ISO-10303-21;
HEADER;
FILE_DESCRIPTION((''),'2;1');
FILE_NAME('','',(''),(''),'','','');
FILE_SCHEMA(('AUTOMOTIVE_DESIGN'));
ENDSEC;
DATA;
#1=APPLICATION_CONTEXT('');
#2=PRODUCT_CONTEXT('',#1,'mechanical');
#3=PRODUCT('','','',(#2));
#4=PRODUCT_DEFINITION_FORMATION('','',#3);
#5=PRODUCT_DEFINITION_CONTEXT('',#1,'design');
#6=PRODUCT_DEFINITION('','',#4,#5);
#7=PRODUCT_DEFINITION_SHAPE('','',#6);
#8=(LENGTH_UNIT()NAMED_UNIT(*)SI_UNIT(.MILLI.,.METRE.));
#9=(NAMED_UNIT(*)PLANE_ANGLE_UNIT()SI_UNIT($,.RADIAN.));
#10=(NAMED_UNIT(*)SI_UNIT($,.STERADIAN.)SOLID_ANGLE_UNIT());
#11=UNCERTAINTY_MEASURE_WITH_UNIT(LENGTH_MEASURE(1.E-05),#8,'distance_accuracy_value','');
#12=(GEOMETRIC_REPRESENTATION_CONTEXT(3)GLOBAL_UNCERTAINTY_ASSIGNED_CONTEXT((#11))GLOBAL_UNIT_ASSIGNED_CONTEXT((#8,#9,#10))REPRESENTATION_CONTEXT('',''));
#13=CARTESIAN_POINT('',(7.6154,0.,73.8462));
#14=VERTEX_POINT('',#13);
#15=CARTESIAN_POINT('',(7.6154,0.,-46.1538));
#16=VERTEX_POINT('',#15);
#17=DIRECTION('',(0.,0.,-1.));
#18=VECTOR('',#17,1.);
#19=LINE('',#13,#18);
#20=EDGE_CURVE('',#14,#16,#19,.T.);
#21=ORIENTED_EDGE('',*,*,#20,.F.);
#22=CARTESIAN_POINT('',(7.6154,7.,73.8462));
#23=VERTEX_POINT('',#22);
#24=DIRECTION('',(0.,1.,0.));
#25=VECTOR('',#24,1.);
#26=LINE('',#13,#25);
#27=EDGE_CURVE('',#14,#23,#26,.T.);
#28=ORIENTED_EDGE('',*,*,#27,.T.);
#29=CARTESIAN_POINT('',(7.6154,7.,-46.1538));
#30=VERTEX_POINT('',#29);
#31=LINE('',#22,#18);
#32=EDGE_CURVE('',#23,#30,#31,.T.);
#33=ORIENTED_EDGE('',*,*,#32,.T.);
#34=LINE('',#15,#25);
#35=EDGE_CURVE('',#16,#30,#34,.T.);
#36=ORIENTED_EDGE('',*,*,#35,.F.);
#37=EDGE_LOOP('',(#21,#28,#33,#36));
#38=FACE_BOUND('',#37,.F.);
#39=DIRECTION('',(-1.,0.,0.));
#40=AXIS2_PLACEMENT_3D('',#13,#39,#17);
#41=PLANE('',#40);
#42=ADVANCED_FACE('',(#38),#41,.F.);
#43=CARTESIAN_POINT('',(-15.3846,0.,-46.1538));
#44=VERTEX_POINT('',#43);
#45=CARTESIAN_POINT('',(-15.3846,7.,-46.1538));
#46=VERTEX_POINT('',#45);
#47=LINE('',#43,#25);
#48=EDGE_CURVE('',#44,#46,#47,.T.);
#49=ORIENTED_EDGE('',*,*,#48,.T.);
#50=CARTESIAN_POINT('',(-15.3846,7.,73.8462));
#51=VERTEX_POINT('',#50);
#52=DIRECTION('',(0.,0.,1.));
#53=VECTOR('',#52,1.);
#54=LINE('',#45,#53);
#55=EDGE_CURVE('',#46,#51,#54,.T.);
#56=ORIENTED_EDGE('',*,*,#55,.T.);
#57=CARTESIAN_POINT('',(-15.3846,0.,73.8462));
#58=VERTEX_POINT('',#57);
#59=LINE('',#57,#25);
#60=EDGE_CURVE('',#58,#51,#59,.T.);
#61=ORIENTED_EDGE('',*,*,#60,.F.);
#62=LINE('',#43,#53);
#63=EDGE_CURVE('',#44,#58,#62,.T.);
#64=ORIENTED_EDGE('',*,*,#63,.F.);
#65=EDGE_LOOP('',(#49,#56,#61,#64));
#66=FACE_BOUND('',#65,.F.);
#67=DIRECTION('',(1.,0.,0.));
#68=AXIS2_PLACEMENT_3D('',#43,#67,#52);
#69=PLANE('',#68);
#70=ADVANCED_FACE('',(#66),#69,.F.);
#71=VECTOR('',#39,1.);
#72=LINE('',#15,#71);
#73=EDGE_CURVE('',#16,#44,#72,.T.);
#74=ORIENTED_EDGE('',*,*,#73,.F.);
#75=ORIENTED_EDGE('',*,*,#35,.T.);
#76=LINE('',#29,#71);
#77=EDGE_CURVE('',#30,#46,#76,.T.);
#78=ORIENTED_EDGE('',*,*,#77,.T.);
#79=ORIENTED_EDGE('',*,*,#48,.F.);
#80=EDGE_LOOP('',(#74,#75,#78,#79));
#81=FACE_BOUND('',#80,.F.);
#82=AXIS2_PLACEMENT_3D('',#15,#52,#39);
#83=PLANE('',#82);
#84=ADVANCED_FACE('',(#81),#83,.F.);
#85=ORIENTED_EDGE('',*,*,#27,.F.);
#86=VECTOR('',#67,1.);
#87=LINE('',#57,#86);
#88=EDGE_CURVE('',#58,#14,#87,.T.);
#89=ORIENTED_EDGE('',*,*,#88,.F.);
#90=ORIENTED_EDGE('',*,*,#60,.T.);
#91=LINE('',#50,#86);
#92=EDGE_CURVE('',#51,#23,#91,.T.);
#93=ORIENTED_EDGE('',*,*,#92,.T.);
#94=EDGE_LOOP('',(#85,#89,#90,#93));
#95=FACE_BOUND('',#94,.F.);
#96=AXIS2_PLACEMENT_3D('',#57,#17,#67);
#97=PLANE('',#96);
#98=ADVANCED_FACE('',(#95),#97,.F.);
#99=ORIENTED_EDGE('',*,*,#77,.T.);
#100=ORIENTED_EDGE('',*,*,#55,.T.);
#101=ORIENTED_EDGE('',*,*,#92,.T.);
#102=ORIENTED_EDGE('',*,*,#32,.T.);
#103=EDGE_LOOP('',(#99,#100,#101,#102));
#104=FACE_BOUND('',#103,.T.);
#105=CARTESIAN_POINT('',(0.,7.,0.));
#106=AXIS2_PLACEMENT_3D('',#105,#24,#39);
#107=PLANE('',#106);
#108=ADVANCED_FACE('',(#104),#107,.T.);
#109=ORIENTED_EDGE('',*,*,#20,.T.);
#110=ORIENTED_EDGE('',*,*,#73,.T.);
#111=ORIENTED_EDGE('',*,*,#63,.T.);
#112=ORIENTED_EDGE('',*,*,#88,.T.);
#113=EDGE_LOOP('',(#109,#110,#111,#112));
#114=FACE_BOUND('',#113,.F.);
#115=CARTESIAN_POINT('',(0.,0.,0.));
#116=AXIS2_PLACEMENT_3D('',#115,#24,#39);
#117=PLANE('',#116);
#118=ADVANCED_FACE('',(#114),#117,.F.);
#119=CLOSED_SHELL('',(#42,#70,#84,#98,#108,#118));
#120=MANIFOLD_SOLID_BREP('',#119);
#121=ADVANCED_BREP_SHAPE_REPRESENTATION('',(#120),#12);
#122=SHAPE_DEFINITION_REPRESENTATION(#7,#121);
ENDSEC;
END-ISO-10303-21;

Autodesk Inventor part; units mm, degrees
ref_plane "YZ Plane" through (0, 0, 0) normal (1, 0, 0) x (0, 1, 0)
ref_plane "XZ Plane" through (0, 0, 0) normal (0, 1, 0) x (-1, 0, 0)
ref_plane "XY Plane" through (0, 0, 0) normal (0, 0, 1) x (1, 0, 0)
sketch "Sketch1" plane through (0, 0, 0) normal (0, 1, 0) x (-1, 0, 0)
  line L0 (15.3846, 73.8462) -> (-7.6154, 73.8462)
  line L1 (-7.6154, 73.8462) -> (-7.6154, -46.1538)
  line L2 (-7.6154, -46.1538) -> (15.3846, -46.1538)
  line L3 (15.3846, -46.1538) -> (15.3846, 73.8462)
  point P0 (0, 0)
  dimension "d0" = 23
  dimension "d1" = 120
extrude "Extrusion1" add sketch "Sketch1" along normal blind 7
properties part number "BasePlateipt"
